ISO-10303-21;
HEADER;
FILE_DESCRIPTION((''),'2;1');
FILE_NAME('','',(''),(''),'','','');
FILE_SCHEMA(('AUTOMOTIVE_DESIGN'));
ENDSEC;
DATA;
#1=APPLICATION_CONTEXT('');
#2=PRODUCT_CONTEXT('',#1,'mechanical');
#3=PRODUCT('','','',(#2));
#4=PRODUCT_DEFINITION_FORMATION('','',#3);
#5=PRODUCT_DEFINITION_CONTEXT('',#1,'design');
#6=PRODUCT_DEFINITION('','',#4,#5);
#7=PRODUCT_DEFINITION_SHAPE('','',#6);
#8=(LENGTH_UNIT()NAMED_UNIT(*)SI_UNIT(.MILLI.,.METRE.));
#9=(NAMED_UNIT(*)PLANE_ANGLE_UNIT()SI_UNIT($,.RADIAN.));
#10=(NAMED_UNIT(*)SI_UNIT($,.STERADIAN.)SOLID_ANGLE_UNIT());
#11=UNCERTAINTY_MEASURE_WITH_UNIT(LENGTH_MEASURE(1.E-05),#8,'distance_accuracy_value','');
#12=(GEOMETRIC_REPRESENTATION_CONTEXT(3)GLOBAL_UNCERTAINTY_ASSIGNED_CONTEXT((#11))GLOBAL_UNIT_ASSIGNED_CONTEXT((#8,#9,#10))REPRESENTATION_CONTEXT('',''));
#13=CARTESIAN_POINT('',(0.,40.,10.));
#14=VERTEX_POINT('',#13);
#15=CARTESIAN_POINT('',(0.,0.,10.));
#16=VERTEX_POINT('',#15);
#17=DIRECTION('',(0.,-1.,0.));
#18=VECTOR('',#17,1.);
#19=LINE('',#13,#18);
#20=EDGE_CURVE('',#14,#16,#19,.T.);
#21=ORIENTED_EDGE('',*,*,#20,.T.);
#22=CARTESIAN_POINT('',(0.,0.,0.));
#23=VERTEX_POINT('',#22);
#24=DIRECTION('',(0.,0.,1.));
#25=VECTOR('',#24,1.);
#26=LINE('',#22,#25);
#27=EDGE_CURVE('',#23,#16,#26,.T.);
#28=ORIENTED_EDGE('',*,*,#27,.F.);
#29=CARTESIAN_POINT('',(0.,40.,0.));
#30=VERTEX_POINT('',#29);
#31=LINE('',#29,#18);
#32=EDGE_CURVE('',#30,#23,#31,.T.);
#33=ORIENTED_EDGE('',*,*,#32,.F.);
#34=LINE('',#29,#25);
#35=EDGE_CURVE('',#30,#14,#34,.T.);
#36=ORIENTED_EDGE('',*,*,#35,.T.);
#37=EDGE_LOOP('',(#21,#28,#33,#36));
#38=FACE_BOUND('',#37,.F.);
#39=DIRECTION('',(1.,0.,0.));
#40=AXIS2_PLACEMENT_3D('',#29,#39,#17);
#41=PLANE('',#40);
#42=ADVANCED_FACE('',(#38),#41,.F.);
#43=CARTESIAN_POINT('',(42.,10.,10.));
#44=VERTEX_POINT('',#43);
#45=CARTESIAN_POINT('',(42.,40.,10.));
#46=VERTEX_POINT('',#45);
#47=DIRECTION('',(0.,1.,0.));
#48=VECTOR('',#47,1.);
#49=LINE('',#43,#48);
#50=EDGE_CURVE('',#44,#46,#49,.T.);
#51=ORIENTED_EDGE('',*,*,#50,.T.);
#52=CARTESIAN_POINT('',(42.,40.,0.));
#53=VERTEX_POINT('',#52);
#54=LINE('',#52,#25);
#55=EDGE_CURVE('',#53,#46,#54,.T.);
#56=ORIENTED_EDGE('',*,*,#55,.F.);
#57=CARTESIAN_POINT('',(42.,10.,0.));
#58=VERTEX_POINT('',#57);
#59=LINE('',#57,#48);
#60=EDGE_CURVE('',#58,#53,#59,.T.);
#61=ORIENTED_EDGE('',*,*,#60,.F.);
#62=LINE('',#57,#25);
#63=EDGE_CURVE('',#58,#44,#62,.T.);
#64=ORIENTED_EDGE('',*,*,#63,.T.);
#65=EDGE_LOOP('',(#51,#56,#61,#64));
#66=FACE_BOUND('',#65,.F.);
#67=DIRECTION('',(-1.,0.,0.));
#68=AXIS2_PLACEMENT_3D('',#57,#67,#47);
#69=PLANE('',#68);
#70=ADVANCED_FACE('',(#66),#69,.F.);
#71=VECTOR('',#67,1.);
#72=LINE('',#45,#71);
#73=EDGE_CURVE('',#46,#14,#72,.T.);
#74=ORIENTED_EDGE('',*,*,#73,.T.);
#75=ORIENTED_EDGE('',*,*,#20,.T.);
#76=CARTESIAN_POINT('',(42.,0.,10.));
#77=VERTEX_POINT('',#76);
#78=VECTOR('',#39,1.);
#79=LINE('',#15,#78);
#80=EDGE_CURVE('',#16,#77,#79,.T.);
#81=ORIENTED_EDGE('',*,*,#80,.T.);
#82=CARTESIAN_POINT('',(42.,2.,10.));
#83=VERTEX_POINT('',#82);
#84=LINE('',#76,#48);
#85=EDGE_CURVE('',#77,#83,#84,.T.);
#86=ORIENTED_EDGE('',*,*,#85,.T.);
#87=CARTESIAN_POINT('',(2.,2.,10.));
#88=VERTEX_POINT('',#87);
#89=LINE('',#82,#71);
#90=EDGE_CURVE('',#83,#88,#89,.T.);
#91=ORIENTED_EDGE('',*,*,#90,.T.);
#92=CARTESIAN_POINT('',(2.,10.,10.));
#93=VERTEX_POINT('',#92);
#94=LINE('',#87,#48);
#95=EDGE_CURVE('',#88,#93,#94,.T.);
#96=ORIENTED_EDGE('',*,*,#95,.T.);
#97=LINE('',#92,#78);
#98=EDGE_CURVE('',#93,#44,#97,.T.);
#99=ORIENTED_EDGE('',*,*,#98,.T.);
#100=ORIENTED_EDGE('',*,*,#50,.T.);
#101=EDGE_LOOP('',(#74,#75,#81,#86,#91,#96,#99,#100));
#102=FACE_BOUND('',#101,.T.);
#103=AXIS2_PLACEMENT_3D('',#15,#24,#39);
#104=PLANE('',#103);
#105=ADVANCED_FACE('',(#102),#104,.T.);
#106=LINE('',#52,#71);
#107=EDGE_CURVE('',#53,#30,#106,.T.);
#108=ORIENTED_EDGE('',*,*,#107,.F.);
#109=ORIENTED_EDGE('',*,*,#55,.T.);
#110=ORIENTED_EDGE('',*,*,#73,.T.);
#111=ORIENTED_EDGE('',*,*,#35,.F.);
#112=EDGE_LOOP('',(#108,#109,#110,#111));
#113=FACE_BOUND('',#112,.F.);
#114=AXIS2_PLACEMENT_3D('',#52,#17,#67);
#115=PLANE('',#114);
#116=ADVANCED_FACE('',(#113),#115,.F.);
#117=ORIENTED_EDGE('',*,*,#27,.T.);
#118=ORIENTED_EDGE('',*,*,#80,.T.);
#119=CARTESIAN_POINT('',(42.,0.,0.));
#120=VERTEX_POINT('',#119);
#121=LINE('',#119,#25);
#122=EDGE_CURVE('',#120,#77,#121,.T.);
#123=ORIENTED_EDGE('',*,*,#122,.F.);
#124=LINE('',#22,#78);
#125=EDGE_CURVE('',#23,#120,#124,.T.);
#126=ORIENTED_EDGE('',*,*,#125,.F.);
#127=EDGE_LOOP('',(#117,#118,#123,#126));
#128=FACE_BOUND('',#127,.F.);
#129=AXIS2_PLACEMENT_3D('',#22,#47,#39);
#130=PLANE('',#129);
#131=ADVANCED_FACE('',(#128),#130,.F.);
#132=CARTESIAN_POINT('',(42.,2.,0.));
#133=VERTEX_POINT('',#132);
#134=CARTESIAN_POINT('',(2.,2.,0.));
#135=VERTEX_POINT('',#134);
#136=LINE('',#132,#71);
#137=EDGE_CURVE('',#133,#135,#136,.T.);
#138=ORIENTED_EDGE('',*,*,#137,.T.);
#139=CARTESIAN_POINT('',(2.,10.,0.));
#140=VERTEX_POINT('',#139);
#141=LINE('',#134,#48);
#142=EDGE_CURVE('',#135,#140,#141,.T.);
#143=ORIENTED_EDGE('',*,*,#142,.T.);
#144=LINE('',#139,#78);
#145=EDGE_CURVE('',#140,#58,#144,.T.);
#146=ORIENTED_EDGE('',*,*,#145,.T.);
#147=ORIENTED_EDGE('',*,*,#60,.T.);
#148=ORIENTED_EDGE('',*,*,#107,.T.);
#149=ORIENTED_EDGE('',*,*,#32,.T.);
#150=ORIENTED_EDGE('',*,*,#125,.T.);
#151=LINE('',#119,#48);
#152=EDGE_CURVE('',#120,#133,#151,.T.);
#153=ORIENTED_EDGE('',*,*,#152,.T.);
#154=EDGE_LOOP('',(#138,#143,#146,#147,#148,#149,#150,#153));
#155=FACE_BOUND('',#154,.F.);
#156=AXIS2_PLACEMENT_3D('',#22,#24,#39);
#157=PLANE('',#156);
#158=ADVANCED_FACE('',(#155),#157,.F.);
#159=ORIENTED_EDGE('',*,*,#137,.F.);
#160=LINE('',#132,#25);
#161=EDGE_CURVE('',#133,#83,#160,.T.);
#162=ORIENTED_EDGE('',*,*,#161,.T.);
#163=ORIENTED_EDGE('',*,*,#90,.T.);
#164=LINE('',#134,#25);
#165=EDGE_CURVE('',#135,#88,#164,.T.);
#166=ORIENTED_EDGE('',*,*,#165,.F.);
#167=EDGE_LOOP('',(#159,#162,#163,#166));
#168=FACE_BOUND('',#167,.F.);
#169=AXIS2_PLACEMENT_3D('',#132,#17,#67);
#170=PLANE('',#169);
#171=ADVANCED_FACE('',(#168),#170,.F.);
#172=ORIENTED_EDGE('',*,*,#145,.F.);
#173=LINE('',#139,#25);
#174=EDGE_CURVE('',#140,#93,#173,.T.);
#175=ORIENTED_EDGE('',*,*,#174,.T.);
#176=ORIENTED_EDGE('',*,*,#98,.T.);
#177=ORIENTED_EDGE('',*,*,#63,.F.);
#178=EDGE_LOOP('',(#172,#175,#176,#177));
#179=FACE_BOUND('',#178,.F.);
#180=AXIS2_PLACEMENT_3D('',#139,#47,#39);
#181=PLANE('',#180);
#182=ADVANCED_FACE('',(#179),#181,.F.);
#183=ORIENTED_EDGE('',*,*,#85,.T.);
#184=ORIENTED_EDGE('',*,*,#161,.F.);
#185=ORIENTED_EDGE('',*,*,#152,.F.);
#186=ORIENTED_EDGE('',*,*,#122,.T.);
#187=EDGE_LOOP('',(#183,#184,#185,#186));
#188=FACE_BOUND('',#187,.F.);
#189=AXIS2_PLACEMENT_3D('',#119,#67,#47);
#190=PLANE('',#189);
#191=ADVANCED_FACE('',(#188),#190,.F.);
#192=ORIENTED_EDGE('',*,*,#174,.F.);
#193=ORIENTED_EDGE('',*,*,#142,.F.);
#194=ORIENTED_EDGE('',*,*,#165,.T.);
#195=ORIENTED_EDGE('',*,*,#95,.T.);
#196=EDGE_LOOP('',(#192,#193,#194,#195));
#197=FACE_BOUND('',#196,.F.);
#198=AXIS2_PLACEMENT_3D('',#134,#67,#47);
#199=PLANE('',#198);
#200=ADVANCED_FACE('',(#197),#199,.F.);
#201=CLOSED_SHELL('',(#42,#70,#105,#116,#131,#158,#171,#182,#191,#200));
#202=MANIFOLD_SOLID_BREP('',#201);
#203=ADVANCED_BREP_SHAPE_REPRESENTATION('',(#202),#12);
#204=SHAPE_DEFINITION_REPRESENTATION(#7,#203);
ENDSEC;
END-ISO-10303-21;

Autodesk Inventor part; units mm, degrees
ref_plane "YZ Plane" through (0, 0, 0) normal (1, 0, 0) x (0, 1, 0)
ref_plane "XZ Plane" through (0, 0, 0) normal (0, 1, 0) x (-1, 0, 0)
ref_plane "XY Plane" through (0, 0, 0) normal (0, 0, 1) x (1, 0, 0)
sketch "Sketch1" plane through (0, 0, 0) normal (0, 0, 1) x (1, 0, 0)
  line L0 (0, 0) -> (42, 0)
  line L1 (42, 0) -> (42, 2)
  line L2 (42, 2) -> (2, 2)
  line L3 (2, 2) -> (2, 10)
  line L4 (2, 10) -> (42, 10)
  line L5 (42, 10) -> (42, 40)
  line L6 (42, 40) -> (0, 40)
  line L7 (0, 40) -> (0, 0)
  dimension "d0" = 42
  dimension "d1" = 40
  dimension "d2" = 30
extrude "Extrusion1" add sketch "Sketch1" along normal blind 10
properties part number "support imprimante"
